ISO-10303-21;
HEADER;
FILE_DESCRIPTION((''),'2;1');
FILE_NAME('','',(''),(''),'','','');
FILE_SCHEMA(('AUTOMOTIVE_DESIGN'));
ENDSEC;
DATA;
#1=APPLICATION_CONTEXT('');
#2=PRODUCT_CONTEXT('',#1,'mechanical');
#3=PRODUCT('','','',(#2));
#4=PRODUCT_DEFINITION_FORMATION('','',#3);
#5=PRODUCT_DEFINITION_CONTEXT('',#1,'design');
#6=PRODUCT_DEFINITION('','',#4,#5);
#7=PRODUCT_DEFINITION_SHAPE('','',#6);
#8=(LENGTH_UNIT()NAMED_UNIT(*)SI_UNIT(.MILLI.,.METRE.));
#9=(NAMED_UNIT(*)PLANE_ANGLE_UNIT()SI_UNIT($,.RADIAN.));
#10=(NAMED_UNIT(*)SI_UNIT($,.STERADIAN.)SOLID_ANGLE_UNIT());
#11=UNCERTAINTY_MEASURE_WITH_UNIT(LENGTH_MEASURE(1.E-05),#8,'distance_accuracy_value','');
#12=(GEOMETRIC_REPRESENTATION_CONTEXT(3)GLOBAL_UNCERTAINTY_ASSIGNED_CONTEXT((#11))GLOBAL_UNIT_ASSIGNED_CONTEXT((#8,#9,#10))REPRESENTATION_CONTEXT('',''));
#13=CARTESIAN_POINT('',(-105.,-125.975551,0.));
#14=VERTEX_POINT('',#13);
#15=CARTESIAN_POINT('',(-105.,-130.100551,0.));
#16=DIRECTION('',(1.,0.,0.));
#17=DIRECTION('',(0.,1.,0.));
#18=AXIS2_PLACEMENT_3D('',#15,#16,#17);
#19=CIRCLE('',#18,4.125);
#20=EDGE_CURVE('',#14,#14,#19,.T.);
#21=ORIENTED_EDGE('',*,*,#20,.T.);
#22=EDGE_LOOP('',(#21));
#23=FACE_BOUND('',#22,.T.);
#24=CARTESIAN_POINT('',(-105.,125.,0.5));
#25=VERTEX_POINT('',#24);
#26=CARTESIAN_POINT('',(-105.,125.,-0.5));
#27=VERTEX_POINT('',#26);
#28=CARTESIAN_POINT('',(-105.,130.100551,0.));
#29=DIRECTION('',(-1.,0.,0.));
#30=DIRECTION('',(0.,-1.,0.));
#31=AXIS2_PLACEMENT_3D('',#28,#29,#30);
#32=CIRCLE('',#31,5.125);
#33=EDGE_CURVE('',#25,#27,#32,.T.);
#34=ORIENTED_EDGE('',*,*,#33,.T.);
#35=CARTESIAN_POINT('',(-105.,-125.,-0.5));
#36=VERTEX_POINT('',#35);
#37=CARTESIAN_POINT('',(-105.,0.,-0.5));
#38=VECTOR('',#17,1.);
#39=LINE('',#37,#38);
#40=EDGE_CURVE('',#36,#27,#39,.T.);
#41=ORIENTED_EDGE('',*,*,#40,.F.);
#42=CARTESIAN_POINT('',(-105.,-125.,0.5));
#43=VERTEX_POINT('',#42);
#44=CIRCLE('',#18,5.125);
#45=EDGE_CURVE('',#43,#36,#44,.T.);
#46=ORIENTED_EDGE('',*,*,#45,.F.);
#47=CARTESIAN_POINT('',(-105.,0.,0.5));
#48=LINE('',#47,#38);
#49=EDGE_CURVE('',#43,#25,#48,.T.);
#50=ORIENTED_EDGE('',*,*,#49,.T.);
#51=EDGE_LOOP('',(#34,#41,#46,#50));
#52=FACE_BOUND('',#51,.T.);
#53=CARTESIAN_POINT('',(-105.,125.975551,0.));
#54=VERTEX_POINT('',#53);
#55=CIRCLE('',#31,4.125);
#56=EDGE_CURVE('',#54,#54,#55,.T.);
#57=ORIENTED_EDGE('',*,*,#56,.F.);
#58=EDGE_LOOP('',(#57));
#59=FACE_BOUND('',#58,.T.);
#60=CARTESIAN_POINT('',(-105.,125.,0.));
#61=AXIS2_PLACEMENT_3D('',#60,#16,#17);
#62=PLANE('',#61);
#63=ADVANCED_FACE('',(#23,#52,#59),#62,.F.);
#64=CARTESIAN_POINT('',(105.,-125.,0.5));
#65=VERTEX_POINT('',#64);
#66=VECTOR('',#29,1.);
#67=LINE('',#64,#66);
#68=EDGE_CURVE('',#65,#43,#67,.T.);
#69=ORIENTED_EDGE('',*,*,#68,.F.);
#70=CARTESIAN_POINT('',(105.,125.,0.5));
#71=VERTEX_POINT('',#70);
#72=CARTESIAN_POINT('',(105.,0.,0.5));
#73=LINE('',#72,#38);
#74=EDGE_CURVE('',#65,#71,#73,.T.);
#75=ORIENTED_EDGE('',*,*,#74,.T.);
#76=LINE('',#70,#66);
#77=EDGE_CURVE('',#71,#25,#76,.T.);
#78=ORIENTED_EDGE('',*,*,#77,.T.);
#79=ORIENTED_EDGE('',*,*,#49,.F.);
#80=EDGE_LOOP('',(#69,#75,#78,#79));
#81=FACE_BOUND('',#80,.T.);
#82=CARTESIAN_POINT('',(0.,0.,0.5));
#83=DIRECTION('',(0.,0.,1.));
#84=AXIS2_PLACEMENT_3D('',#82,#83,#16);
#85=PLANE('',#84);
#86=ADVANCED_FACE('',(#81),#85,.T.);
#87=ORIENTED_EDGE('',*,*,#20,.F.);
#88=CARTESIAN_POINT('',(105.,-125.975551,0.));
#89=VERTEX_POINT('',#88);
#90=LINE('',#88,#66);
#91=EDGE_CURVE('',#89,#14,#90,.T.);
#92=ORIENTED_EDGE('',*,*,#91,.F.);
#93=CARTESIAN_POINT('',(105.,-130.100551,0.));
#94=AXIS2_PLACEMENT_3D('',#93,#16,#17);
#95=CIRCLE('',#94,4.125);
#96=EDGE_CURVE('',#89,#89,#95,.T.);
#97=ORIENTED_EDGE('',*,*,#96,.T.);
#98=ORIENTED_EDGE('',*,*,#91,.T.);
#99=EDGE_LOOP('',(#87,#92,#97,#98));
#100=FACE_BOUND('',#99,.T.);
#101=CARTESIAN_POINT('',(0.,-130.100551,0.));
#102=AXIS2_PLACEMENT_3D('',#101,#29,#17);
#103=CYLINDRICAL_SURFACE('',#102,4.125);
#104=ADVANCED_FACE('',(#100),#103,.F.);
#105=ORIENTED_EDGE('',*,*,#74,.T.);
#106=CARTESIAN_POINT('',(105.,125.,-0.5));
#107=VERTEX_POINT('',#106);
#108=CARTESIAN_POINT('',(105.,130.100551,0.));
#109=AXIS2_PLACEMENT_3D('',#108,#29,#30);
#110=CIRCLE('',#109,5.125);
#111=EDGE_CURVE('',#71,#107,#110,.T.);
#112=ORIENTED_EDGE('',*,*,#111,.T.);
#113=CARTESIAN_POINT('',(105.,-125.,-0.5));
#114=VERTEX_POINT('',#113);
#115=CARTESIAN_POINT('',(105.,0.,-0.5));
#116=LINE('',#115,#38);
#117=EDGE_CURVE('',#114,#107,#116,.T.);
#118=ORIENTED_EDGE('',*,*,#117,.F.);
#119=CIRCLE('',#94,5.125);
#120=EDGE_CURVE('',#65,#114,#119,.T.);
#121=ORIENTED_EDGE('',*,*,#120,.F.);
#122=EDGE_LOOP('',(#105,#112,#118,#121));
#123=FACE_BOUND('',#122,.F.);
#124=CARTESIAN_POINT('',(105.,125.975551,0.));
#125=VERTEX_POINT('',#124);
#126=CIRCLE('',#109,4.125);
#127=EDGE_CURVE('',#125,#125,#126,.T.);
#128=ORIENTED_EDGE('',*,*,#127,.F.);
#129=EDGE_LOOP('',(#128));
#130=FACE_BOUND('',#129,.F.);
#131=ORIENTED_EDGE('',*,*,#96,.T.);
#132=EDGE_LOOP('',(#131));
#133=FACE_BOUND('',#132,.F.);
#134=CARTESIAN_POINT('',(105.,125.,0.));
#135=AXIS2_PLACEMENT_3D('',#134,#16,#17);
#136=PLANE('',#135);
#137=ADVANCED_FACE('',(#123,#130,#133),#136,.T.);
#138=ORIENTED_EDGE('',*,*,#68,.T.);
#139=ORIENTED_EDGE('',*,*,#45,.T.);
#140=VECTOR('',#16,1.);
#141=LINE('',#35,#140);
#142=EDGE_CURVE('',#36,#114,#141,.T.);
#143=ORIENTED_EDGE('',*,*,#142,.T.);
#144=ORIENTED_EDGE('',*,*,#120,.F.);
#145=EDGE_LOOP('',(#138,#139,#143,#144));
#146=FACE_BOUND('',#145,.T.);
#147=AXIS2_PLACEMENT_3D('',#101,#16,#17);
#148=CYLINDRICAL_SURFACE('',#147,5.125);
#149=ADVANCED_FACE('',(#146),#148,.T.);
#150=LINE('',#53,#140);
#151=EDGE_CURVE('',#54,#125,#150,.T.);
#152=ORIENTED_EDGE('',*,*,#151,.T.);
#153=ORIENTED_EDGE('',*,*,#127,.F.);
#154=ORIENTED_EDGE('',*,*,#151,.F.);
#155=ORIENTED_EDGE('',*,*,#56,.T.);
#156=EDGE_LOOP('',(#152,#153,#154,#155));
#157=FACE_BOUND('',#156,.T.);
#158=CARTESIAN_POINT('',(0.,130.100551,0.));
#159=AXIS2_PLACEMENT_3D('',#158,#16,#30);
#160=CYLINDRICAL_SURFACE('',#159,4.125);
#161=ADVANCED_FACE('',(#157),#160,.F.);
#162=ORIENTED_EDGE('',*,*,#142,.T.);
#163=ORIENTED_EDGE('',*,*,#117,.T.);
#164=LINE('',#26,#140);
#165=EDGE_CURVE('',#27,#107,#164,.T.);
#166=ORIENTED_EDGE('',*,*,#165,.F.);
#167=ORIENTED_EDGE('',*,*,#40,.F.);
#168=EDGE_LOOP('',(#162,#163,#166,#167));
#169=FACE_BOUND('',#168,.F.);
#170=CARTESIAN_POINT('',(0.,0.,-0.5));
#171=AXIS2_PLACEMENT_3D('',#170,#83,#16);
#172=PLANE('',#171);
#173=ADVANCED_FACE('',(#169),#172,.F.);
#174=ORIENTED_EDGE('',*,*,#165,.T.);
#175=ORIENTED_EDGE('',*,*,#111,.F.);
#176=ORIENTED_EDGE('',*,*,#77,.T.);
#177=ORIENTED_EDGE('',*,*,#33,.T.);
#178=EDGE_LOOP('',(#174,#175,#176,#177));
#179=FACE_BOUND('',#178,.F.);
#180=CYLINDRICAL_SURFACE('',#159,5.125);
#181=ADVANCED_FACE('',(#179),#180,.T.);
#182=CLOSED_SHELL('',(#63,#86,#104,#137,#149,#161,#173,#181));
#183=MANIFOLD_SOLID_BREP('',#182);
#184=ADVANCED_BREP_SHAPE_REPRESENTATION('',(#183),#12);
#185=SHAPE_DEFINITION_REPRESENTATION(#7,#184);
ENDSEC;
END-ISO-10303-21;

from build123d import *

# Parameters (mm, degrees)
F0_W          = 210
F0_H          = 250
F1_DEPTH      = 0.5
F2_R          = 5.125
F2_R_2        = 4.125
F3_DEPTH      = 105
F3_DEPTH_BACK = 105


with BuildPart() as f1:
    # F0 (on Top) → F1 (new body, symmetric)
    with BuildSketch(Plane.XY):
        Rectangle(F0_W, F0_H)
    extrude(amount=F1_DEPTH, both=True)

    # F2 (on Right) → F3 (join, two sides)
    with BuildSketch(Plane.YZ) as f3_sk:
        with Locations((-130.100551, 0)):
            Circle(F2_R)
        with Locations((-130.100551, 0)):
            Circle(F2_R_2, mode=Mode.SUBTRACT)
    extrude(amount=F3_DEPTH)
    extrude(f3_sk.sketch, amount=-F3_DEPTH_BACK)

    # F4: F1 across plane


with BuildPart() as f1_1:
    add(f1.part)
    add(f1.part.mirror(Plane.XZ))


solid = f1_1.part
